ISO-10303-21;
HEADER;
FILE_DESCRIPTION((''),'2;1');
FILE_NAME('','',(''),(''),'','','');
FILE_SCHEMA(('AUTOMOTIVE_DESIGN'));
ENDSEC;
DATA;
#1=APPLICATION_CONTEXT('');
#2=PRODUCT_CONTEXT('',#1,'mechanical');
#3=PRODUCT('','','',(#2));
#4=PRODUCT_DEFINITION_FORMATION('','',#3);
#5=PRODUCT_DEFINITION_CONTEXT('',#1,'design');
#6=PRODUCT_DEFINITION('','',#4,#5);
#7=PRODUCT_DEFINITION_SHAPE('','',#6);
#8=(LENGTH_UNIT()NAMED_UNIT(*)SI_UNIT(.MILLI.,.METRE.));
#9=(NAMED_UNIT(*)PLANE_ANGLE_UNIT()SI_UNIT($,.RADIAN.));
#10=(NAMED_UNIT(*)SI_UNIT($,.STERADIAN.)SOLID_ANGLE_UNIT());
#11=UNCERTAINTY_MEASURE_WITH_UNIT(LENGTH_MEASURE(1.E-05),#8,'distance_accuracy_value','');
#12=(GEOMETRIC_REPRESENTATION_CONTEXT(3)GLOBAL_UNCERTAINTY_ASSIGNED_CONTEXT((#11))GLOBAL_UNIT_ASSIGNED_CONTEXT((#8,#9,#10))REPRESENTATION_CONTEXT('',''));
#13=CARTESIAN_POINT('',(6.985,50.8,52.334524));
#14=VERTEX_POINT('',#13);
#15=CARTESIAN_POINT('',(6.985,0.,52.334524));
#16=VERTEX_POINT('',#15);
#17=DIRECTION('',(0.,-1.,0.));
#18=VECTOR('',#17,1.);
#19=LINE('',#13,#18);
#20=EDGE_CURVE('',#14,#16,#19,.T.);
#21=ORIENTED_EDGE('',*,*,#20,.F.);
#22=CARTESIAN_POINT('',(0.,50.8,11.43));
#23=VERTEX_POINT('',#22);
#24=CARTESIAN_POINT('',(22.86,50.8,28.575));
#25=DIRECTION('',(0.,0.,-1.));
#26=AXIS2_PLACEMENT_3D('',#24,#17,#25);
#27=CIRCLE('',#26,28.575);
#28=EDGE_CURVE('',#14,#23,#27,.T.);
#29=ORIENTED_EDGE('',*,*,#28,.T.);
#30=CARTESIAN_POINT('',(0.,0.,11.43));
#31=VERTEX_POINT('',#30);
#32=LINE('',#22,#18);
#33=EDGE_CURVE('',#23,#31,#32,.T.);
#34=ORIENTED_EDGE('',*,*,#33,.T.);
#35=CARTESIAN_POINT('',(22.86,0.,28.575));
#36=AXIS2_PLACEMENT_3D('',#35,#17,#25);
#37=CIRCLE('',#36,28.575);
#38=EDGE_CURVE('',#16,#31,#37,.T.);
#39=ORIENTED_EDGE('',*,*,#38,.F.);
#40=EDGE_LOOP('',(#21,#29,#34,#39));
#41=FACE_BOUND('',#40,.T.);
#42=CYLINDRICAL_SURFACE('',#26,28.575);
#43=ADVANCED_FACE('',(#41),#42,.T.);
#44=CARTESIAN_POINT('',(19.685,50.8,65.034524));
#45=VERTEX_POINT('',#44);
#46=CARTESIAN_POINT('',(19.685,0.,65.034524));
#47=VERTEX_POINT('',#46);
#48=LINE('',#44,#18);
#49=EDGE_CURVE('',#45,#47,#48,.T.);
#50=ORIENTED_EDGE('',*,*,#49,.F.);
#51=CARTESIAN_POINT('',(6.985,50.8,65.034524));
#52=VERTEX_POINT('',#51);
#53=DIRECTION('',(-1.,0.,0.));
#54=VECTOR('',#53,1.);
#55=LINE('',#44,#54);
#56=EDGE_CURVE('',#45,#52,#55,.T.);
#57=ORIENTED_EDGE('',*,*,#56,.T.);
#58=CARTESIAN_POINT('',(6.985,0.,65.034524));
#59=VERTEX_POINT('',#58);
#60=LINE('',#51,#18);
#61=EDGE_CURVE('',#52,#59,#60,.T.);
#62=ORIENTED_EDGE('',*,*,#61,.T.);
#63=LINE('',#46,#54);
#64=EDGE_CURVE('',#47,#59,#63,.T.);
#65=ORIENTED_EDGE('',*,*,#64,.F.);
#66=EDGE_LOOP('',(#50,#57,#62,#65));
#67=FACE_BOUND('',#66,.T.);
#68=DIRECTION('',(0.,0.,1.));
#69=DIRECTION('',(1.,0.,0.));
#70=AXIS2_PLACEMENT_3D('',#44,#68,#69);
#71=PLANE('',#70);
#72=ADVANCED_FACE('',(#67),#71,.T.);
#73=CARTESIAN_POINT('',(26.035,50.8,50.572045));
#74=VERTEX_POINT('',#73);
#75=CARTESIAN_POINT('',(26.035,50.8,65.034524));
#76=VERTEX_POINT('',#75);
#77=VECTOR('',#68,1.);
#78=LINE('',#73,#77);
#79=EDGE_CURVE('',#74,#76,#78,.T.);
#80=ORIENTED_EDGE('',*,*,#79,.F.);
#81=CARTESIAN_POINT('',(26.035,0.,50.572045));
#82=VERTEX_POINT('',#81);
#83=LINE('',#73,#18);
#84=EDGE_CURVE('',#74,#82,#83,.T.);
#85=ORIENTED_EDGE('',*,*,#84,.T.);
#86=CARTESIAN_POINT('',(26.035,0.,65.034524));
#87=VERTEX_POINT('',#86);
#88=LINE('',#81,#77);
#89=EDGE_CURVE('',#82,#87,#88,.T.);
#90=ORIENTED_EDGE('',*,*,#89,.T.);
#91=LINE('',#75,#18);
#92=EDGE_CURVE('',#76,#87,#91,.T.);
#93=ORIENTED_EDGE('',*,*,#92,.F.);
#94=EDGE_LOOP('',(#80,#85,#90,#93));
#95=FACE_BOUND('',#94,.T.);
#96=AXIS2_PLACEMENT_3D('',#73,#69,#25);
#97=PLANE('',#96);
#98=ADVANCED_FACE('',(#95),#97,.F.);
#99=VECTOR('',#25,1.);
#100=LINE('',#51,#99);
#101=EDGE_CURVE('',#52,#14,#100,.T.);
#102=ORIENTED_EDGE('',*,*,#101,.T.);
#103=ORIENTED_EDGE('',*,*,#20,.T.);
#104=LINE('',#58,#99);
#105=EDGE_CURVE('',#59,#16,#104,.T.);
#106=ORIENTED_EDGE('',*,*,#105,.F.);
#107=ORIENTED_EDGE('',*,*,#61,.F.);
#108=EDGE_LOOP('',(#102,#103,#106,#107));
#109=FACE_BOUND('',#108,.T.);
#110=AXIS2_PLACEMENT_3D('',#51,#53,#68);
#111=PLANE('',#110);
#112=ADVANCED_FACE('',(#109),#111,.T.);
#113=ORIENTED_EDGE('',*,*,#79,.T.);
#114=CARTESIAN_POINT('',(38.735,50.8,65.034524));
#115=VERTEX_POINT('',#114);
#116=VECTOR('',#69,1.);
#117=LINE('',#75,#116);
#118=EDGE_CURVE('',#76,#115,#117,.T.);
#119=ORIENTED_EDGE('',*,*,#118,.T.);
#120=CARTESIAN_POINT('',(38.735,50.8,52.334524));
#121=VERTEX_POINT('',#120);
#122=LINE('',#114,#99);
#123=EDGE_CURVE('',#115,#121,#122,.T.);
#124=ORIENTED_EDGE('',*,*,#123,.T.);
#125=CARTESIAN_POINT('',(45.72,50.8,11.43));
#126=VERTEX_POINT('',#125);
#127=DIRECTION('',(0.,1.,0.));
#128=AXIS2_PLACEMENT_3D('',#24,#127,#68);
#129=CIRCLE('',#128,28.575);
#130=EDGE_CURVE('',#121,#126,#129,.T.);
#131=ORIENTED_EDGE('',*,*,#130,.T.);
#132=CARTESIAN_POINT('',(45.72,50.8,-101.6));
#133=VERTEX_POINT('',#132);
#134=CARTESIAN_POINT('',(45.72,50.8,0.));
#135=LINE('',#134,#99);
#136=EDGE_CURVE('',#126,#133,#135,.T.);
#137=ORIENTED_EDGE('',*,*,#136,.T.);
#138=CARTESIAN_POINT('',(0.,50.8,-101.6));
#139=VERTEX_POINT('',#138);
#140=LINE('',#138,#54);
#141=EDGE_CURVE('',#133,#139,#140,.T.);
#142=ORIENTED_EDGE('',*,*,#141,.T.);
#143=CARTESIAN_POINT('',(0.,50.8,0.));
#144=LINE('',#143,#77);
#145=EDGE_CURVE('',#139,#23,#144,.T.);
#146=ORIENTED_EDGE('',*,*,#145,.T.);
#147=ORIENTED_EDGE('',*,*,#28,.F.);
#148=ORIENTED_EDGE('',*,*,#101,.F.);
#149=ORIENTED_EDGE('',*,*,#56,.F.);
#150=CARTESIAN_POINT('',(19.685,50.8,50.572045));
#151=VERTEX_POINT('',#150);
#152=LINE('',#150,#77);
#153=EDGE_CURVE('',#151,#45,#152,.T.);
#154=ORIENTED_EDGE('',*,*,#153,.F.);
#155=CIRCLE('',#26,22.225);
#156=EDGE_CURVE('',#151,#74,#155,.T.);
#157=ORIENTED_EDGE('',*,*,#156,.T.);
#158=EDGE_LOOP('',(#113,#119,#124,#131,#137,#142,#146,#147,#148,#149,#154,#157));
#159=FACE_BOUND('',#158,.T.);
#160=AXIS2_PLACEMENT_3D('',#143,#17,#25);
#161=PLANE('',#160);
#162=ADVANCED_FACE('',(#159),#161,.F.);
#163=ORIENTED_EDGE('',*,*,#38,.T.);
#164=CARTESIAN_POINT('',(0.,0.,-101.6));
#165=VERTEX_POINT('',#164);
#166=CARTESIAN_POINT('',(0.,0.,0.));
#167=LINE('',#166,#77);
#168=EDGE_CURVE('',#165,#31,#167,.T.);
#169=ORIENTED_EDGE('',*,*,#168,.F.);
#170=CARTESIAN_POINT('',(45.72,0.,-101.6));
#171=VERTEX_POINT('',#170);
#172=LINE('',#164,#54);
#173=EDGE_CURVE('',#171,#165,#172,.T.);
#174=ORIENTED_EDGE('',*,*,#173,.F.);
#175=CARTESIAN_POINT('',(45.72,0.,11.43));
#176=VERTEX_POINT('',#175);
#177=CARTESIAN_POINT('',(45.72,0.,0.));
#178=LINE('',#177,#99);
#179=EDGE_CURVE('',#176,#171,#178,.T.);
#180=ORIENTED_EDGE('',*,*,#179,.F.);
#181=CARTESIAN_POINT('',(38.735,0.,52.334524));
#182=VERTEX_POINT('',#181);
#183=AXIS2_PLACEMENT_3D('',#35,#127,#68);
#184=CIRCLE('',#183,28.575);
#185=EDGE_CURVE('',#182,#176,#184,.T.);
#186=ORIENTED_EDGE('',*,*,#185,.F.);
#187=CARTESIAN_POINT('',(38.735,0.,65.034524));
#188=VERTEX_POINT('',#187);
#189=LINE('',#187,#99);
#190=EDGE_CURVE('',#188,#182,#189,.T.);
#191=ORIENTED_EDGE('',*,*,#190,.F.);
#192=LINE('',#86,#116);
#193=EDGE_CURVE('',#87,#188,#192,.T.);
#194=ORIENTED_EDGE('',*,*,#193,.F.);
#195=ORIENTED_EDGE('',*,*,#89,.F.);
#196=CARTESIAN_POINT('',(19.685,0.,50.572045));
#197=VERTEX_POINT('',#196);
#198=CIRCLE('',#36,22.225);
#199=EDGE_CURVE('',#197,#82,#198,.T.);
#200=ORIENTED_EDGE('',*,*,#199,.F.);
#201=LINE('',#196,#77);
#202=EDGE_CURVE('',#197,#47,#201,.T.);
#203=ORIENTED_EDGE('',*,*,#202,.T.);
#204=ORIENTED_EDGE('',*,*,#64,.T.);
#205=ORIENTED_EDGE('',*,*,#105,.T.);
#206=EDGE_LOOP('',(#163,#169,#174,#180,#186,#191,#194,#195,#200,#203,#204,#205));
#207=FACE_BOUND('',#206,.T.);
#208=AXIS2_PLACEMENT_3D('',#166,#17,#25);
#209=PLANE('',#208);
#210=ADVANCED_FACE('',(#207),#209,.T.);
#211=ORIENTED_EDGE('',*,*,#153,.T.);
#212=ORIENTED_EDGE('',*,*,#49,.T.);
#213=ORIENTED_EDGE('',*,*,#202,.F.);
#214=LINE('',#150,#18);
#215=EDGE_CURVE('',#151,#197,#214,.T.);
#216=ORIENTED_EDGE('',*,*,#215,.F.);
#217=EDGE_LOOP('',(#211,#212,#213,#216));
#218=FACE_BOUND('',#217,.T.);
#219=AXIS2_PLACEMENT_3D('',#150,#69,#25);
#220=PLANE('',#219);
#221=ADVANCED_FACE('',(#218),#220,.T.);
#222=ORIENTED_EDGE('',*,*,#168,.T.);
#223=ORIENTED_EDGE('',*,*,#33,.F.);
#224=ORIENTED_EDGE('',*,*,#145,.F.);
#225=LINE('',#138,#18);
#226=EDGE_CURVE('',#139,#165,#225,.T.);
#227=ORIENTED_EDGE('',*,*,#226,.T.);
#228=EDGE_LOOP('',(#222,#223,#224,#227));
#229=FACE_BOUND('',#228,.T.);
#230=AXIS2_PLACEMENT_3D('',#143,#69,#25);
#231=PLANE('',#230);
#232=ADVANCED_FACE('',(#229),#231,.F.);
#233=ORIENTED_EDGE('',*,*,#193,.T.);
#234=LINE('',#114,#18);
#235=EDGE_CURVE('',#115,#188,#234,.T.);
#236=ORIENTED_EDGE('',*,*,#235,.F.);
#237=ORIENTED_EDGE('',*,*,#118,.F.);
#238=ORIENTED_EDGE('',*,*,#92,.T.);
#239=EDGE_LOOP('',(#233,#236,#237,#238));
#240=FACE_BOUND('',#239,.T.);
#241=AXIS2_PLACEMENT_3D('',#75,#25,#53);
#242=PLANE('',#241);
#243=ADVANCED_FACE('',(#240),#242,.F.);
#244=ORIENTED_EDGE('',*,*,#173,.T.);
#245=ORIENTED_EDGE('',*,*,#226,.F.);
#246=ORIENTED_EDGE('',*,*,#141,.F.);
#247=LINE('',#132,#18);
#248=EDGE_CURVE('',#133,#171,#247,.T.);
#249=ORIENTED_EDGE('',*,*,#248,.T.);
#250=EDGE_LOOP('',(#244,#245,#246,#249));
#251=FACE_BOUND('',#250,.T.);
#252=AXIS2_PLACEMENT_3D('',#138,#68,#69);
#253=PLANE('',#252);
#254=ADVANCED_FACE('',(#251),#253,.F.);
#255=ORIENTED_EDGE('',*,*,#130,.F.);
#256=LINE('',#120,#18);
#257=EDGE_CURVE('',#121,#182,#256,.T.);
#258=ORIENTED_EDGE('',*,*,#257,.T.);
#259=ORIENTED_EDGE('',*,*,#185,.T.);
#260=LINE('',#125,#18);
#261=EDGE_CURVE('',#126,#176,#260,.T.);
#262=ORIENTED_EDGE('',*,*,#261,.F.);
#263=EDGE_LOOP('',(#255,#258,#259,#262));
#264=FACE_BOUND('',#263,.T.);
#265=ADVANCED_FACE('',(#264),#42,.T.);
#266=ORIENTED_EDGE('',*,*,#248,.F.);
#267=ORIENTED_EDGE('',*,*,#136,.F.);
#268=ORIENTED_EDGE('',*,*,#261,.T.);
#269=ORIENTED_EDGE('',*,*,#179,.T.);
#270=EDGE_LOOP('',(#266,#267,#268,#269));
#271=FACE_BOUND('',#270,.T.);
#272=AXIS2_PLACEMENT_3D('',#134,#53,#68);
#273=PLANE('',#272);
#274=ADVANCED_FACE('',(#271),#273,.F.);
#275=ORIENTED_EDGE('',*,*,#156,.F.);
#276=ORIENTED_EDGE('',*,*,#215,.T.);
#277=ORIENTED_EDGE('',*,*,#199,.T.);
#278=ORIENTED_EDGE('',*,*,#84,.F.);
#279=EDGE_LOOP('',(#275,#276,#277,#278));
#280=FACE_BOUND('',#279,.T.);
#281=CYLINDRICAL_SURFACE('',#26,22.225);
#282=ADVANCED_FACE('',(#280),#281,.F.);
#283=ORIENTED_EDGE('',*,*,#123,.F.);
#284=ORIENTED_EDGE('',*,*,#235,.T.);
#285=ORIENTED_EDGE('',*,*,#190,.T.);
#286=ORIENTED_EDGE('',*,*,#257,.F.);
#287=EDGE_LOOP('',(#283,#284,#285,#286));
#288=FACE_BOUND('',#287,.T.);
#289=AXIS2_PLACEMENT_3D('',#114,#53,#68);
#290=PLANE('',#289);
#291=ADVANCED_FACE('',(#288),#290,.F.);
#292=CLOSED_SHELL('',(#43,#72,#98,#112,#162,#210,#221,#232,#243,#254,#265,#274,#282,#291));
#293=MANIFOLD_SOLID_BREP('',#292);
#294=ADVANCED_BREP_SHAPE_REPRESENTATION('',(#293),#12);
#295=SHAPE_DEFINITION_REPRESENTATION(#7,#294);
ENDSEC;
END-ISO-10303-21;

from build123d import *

# Parameters (mm, degrees)
SKETCH1_W           = 45.72
SKETCH1_H           = 101.6
BOSS_EXTRUDE1_DEPTH = 50.8
BOSS_EXTRUDE2_DEPTH = 50.8


with BuildPart() as part:
    # Sketch1 → Boss-Extrude1 (new body)
    with BuildSketch(Plane(origin=(0, 0, 0), x_dir=(1, 0, 0), z_dir=(0, 1, 0))):
        with Locations((22.86, 50.8)):
            Rectangle(SKETCH1_W, SKETCH1_H)
    extrude(amount=BOSS_EXTRUDE1_DEPTH)

    # Sketch4 → Boss-Extrude2 (add)
    with BuildSketch(Plane.XZ):
        with BuildLine():
            Line((0, 0), (0, 11.43))
            ThreePointArc((0, 11.43), (-5.307269755, 33.384941739), (6.985, 52.334524406))
            Line((6.985, 52.334524406), (6.985, 65.034524406))
            Line((6.985, 65.034524406), (19.685, 65.034524406))
            Line((19.685, 65.034524406), (19.685, 50.572045256))
            ThreePointArc((19.685, 50.572045256), (22.86, 6.35), (26.035, 50.572045256))
            Line((26.035, 50.572045256), (26.035, 65.034524406))
            Line((26.035, 65.034524406), (38.735, 65.034524406))
            Line((38.735, 65.034524406), (38.735, 52.334524406))
            ThreePointArc((38.735, 52.334524406), (51.027269755, 33.384941739), (45.72, 11.43))
            Line((45.72, 11.43), (45.72, 0))
            Line((45.72, 0), (0, 0))
        make_face()
    extrude(amount=-BOSS_EXTRUDE2_DEPTH)


solid = part.part
